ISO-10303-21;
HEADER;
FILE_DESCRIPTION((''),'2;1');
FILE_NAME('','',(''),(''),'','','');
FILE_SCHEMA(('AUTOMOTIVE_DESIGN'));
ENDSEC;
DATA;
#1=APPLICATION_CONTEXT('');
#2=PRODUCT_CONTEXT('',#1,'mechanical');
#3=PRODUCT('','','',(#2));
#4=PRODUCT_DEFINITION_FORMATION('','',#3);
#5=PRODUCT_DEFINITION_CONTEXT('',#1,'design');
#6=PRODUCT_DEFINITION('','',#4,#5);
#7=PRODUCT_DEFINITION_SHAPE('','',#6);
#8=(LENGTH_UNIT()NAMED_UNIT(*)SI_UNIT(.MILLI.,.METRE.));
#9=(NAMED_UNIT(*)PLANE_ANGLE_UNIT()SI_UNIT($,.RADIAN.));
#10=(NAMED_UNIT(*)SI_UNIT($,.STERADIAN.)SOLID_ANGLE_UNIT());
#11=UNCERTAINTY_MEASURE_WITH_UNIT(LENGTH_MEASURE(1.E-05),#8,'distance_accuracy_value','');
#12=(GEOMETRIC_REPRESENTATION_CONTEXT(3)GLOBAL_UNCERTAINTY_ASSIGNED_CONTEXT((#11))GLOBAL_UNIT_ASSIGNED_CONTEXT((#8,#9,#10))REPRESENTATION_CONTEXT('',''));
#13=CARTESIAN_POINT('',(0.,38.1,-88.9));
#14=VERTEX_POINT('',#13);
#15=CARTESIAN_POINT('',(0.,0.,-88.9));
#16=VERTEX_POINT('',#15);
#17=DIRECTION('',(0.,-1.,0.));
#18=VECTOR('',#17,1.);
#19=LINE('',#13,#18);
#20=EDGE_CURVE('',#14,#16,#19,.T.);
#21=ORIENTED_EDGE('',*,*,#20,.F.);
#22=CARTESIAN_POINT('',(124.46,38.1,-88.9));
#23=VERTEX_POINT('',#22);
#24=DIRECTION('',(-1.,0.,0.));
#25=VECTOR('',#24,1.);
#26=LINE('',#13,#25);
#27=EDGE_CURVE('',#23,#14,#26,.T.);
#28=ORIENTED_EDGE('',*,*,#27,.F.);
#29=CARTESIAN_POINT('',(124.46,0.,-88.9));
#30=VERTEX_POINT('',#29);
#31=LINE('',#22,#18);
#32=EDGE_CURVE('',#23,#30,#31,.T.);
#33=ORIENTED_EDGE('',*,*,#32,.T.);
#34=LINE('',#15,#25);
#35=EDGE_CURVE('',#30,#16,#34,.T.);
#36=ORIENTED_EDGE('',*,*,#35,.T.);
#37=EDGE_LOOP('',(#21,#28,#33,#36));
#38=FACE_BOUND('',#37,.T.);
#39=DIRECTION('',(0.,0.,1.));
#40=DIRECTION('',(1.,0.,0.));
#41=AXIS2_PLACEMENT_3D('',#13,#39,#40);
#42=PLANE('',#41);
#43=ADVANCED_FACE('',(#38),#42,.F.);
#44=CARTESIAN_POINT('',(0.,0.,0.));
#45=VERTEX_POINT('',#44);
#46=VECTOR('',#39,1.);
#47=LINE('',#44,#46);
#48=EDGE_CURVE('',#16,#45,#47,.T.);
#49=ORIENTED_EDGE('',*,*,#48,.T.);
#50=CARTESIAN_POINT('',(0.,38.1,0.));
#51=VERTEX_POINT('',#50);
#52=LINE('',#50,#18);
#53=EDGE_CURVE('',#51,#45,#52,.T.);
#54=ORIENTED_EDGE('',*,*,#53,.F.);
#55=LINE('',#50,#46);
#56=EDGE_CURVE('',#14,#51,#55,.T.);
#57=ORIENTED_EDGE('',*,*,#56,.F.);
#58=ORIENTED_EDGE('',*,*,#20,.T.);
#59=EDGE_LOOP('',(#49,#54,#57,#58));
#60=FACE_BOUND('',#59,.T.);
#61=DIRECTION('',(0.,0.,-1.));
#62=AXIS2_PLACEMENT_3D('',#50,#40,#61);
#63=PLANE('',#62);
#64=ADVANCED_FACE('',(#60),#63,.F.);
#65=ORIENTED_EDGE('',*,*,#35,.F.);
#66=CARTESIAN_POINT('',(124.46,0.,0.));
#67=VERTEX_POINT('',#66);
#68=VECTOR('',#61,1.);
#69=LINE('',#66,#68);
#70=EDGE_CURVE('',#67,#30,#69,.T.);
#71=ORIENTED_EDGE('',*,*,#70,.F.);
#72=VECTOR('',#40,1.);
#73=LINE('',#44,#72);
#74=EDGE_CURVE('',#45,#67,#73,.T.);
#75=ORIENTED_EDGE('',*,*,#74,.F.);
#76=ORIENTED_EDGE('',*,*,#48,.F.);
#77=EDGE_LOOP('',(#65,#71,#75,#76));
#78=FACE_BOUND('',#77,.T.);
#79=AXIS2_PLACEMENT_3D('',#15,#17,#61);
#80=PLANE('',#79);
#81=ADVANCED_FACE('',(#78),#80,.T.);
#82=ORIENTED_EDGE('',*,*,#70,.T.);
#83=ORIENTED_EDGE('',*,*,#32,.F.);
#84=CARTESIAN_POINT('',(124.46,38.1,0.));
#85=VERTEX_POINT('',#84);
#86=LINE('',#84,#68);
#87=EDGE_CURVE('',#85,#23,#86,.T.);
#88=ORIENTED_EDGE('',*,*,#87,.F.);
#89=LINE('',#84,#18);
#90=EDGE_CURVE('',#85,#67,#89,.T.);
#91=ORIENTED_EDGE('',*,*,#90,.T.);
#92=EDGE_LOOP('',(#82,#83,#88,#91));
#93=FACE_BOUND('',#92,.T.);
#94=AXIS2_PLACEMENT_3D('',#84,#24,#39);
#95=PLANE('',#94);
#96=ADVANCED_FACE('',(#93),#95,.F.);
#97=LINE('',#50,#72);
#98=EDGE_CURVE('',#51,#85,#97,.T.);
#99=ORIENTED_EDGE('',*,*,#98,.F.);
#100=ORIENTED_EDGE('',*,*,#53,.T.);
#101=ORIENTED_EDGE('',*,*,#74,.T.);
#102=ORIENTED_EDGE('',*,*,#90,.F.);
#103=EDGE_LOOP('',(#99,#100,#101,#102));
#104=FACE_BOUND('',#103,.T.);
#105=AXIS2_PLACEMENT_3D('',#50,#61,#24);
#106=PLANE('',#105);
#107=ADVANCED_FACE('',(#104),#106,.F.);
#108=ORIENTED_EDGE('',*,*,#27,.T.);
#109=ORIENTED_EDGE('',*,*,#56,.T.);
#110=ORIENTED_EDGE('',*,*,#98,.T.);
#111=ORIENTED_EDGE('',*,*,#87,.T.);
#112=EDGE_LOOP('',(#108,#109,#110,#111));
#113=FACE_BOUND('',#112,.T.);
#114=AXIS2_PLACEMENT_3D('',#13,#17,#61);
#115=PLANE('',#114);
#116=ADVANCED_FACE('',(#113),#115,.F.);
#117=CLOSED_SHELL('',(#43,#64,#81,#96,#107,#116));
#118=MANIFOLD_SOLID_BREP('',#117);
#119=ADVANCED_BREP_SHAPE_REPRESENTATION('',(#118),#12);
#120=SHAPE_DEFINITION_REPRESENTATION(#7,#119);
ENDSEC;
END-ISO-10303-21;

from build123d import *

# Parameters (mm, degrees)
SKETCH1_W           = 124.46
SKETCH1_H           = 88.9
BOSS_EXTRUDE1_DEPTH = 38.1


with BuildPart() as part:
    # Sketch1 → Boss-Extrude1 (new body)
    with BuildSketch(Plane(origin=(0, 0, 0), x_dir=(1, 0, 0), z_dir=(0, 1, 0))):
        with Locations((62.23, 44.45)):
            Rectangle(SKETCH1_W, SKETCH1_H)
    extrude(amount=BOSS_EXTRUDE1_DEPTH)


solid = part.part
